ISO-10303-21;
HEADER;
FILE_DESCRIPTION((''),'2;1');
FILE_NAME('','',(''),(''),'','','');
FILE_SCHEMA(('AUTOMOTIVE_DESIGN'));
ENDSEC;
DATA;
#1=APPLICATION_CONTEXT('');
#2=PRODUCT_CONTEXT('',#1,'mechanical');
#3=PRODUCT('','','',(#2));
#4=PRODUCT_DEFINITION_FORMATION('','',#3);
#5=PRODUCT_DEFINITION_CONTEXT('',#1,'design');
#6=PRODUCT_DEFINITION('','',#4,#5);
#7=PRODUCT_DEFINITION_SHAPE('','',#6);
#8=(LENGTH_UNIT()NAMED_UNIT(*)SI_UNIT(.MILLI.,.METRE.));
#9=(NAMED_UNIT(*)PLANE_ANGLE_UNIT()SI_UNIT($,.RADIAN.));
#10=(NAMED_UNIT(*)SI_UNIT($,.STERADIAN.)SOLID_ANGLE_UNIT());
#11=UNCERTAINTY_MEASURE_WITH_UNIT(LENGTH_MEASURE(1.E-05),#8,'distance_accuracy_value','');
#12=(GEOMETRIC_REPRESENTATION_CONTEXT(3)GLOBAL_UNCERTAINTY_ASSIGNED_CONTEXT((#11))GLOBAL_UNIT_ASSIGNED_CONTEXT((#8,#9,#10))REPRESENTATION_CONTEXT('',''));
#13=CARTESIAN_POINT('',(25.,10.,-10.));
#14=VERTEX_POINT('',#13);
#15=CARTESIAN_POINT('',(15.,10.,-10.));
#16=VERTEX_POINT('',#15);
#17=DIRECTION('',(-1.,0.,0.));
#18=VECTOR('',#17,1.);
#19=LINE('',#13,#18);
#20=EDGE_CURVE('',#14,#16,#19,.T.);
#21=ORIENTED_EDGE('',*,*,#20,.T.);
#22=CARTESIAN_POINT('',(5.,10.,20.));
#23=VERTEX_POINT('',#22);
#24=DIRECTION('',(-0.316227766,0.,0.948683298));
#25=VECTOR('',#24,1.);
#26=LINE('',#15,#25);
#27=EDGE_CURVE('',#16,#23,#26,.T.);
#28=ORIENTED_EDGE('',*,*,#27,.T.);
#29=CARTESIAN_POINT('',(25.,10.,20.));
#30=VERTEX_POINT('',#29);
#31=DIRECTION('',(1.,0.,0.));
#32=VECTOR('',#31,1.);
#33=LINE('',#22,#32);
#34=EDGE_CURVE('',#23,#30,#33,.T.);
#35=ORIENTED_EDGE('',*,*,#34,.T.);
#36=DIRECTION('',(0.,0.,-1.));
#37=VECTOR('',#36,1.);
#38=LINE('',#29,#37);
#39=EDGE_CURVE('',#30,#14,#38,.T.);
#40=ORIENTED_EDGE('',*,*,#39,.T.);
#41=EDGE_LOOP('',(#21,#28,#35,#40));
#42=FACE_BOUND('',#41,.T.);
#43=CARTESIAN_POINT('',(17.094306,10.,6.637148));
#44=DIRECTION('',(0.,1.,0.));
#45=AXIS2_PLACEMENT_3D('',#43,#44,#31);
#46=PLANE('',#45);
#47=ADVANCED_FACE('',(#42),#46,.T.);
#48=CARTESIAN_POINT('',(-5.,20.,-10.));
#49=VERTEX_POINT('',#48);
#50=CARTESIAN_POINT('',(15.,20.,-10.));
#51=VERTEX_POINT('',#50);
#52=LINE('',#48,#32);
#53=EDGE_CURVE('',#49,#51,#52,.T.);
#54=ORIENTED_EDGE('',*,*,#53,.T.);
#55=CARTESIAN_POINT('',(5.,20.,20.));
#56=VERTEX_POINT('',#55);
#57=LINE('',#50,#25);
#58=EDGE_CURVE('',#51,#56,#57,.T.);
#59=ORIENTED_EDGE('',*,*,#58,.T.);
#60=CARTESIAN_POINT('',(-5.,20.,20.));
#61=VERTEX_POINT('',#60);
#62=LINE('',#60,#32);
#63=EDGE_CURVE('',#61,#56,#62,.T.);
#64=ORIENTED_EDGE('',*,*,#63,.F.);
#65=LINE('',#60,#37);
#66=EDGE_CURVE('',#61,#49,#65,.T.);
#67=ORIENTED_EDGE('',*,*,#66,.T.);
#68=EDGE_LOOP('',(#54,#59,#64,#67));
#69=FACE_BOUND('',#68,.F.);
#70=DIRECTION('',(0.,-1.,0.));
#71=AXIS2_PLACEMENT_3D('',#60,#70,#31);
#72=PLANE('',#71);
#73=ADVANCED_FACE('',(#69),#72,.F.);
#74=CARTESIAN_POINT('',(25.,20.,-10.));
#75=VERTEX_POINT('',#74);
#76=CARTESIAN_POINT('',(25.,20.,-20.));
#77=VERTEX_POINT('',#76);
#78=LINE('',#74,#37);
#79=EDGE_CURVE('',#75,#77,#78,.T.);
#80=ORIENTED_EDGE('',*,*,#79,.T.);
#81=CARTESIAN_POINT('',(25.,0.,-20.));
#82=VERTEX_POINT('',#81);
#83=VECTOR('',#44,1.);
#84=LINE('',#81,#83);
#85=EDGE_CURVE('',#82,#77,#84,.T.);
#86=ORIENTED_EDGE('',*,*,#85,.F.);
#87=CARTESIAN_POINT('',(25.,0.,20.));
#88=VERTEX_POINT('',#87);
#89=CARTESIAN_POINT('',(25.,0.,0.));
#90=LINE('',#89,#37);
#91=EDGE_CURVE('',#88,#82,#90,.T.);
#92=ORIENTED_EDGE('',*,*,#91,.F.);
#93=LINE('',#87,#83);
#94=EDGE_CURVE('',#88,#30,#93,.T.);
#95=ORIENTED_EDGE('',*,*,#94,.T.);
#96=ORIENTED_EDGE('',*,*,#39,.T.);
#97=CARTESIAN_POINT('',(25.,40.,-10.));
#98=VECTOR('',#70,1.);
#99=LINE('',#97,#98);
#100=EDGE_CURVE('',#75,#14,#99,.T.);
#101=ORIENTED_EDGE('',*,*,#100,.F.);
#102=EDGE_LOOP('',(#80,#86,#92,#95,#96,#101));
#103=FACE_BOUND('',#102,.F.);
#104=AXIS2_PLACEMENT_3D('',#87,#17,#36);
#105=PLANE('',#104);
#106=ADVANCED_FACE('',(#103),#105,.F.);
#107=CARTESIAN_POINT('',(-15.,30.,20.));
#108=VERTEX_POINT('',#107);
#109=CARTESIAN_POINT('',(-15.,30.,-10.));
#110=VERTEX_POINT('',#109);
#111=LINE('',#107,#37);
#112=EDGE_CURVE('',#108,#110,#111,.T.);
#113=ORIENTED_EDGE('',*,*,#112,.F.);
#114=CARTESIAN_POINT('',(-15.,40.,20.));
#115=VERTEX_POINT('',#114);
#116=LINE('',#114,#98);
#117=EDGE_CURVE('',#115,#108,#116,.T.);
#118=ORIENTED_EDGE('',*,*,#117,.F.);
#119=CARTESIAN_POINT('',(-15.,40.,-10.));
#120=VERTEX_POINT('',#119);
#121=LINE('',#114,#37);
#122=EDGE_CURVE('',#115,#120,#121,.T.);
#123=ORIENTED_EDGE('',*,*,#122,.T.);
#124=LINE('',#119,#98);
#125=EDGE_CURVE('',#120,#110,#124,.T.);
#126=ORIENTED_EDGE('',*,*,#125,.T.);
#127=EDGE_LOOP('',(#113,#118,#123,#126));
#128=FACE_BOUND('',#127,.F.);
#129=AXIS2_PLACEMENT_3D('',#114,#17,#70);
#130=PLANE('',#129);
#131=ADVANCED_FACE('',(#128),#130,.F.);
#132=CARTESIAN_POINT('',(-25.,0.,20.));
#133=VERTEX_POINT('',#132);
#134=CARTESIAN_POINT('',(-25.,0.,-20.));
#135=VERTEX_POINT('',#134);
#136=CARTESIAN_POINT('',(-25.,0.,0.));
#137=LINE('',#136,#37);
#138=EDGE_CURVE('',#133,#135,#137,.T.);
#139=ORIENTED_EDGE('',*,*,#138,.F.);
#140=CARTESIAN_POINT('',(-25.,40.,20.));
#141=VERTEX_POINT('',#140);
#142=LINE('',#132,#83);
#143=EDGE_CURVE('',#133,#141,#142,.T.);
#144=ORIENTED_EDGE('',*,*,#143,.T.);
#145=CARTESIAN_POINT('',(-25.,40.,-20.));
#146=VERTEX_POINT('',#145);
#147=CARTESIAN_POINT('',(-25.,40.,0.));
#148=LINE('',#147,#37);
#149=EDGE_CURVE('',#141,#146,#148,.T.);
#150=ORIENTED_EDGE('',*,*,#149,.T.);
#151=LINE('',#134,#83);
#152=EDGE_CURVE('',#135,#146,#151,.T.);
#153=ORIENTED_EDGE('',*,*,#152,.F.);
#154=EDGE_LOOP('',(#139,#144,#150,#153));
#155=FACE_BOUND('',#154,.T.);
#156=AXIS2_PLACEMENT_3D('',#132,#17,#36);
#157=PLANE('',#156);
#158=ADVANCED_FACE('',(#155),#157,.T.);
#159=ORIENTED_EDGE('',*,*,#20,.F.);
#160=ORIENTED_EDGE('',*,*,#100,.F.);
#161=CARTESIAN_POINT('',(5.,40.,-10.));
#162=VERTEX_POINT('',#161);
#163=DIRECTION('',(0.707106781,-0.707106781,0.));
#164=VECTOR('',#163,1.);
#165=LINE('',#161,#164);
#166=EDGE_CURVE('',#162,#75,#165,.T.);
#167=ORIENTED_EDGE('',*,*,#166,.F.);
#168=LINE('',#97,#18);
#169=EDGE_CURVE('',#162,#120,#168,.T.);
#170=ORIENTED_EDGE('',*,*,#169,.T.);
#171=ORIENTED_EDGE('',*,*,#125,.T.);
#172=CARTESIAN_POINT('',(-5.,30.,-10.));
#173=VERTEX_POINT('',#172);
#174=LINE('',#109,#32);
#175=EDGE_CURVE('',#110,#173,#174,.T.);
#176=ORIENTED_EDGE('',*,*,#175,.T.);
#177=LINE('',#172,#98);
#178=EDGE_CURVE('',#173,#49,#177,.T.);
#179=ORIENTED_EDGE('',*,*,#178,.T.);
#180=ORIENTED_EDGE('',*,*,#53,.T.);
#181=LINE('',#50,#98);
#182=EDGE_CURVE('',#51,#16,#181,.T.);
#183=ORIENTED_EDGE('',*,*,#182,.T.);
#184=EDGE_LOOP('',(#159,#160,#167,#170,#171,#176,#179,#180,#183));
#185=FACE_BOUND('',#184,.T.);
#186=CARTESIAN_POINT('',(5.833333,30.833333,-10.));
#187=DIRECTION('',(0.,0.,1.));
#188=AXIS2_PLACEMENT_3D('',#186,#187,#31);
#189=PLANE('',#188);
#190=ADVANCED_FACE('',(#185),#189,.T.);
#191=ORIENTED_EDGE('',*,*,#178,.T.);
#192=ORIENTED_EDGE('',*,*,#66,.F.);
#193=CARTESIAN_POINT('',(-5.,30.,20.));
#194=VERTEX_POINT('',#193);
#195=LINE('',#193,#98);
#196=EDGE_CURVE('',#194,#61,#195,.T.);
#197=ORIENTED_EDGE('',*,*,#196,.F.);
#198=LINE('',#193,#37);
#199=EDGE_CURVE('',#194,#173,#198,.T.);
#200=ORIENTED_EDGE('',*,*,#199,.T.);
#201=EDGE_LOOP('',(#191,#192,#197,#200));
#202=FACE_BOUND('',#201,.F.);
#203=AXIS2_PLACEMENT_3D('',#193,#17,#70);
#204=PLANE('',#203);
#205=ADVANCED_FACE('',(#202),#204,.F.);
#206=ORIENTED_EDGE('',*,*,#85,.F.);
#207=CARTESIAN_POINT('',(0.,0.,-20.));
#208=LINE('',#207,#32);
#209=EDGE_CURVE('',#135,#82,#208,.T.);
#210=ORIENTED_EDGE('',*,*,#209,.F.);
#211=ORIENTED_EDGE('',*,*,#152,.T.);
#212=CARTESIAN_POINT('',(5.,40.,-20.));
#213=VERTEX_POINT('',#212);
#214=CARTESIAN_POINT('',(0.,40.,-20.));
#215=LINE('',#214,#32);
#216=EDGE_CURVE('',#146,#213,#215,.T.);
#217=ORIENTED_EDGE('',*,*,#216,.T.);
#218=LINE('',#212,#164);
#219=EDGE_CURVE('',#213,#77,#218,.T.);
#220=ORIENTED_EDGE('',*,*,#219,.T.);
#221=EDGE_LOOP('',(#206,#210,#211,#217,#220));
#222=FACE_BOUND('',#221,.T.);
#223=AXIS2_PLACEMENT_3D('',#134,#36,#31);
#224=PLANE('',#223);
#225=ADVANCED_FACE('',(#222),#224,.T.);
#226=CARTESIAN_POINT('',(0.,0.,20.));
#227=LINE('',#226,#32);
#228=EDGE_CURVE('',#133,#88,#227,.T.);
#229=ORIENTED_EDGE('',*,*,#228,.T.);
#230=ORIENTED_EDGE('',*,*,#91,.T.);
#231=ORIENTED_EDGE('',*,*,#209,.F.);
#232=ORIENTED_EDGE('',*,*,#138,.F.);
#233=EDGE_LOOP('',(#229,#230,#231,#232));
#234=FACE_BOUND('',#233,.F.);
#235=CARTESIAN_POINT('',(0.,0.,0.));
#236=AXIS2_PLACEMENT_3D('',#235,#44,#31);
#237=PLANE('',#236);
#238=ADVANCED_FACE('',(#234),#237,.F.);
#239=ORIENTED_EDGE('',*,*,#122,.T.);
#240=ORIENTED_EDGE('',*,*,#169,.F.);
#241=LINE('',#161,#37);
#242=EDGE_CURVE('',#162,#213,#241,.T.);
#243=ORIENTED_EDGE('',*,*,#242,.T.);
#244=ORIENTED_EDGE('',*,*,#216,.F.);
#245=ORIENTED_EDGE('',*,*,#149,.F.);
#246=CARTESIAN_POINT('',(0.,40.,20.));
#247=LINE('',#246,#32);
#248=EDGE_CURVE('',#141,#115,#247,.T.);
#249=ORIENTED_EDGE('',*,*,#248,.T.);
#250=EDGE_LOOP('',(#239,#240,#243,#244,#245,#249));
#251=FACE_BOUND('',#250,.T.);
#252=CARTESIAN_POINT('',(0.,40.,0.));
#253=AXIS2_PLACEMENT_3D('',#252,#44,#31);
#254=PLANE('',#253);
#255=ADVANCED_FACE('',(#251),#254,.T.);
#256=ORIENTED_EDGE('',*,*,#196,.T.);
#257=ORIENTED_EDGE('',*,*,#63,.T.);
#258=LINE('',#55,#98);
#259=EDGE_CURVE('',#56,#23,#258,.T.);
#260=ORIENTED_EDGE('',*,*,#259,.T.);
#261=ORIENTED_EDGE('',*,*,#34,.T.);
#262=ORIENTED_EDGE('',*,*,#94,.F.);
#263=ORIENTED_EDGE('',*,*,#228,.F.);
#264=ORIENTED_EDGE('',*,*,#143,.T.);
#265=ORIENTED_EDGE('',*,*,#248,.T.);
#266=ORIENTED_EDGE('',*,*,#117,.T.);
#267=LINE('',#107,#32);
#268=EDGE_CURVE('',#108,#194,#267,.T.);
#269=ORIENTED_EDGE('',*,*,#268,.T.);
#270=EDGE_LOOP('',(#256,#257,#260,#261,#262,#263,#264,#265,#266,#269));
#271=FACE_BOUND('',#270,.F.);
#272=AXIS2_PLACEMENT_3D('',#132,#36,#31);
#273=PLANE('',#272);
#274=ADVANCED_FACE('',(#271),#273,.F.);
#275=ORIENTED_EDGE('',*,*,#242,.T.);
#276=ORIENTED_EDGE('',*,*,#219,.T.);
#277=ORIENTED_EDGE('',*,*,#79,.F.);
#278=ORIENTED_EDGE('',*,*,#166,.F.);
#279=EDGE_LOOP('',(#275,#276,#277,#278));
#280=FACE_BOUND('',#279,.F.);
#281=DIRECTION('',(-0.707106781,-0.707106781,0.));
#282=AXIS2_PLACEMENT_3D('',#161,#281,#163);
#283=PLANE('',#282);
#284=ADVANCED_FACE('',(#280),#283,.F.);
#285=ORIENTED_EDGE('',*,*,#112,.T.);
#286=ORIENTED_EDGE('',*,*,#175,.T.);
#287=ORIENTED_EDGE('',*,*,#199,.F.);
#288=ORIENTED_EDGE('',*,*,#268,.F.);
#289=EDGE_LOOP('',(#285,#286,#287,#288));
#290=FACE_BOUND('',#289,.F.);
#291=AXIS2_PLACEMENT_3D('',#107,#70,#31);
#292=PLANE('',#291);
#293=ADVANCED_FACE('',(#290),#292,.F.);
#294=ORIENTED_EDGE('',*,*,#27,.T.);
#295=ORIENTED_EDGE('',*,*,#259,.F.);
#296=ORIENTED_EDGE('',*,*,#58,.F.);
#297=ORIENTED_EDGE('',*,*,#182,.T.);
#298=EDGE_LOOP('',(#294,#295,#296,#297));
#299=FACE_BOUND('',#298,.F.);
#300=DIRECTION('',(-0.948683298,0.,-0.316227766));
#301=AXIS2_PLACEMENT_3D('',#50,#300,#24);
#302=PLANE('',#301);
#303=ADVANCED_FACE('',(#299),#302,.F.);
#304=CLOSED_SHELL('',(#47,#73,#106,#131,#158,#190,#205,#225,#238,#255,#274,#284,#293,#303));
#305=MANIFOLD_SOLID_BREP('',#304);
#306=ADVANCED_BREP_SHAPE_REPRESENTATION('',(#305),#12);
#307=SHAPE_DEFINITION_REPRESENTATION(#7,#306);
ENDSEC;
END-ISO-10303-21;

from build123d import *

# Parameters (mm, degrees)
SKETCH1_W           = 50
SKETCH1_H           = 40
BOSS_EXTRUDE1_DEPTH = 40
CUT_EXTRUDE1_DEPTH  = 30
CUT_EXTRUDE2_DEPTH  = 10
CUT_EXTRUDE3_DEPTH  = 10


with BuildPart() as part:
    # Sketch1 → Boss-Extrude1 (new body)
    with BuildSketch(Plane(origin=(0, 0, 0), x_dir=(1, 0, 0), z_dir=(0, 1, 0))):
        Rectangle(SKETCH1_W, SKETCH1_H)
    extrude(amount=BOSS_EXTRUDE1_DEPTH)

    # Sketch3 → Cut-Extrude1 (cut)
    with BuildSketch(Plane.XY.offset(20)):
        Polygon((-15, 40), (-15, 30), (-5, 30), (-5, 20), (25, 20), (25, 40), align=None)
    extrude(amount=-CUT_EXTRUDE1_DEPTH, mode=Mode.SUBTRACT)

    # Sketch4 → Cut-Extrude2 (cut)
    with BuildSketch(Plane(origin=(0, 20, 0), x_dir=(1, 0, 0), z_dir=(0, 1, 0))):
        Polygon((15, 10), (5, -20), (25, -20), (25, 10), align=None)
    extrude(amount=-CUT_EXTRUDE2_DEPTH, mode=Mode.SUBTRACT)

    # Sketch5 → Cut-Extrude3 (cut)
    with BuildSketch(Plane.XY.offset(-10)):
        Polygon((5, 40), (25, 20), (25, 40), align=None)
    extrude(amount=-CUT_EXTRUDE3_DEPTH, mode=Mode.SUBTRACT)


solid = part.part
